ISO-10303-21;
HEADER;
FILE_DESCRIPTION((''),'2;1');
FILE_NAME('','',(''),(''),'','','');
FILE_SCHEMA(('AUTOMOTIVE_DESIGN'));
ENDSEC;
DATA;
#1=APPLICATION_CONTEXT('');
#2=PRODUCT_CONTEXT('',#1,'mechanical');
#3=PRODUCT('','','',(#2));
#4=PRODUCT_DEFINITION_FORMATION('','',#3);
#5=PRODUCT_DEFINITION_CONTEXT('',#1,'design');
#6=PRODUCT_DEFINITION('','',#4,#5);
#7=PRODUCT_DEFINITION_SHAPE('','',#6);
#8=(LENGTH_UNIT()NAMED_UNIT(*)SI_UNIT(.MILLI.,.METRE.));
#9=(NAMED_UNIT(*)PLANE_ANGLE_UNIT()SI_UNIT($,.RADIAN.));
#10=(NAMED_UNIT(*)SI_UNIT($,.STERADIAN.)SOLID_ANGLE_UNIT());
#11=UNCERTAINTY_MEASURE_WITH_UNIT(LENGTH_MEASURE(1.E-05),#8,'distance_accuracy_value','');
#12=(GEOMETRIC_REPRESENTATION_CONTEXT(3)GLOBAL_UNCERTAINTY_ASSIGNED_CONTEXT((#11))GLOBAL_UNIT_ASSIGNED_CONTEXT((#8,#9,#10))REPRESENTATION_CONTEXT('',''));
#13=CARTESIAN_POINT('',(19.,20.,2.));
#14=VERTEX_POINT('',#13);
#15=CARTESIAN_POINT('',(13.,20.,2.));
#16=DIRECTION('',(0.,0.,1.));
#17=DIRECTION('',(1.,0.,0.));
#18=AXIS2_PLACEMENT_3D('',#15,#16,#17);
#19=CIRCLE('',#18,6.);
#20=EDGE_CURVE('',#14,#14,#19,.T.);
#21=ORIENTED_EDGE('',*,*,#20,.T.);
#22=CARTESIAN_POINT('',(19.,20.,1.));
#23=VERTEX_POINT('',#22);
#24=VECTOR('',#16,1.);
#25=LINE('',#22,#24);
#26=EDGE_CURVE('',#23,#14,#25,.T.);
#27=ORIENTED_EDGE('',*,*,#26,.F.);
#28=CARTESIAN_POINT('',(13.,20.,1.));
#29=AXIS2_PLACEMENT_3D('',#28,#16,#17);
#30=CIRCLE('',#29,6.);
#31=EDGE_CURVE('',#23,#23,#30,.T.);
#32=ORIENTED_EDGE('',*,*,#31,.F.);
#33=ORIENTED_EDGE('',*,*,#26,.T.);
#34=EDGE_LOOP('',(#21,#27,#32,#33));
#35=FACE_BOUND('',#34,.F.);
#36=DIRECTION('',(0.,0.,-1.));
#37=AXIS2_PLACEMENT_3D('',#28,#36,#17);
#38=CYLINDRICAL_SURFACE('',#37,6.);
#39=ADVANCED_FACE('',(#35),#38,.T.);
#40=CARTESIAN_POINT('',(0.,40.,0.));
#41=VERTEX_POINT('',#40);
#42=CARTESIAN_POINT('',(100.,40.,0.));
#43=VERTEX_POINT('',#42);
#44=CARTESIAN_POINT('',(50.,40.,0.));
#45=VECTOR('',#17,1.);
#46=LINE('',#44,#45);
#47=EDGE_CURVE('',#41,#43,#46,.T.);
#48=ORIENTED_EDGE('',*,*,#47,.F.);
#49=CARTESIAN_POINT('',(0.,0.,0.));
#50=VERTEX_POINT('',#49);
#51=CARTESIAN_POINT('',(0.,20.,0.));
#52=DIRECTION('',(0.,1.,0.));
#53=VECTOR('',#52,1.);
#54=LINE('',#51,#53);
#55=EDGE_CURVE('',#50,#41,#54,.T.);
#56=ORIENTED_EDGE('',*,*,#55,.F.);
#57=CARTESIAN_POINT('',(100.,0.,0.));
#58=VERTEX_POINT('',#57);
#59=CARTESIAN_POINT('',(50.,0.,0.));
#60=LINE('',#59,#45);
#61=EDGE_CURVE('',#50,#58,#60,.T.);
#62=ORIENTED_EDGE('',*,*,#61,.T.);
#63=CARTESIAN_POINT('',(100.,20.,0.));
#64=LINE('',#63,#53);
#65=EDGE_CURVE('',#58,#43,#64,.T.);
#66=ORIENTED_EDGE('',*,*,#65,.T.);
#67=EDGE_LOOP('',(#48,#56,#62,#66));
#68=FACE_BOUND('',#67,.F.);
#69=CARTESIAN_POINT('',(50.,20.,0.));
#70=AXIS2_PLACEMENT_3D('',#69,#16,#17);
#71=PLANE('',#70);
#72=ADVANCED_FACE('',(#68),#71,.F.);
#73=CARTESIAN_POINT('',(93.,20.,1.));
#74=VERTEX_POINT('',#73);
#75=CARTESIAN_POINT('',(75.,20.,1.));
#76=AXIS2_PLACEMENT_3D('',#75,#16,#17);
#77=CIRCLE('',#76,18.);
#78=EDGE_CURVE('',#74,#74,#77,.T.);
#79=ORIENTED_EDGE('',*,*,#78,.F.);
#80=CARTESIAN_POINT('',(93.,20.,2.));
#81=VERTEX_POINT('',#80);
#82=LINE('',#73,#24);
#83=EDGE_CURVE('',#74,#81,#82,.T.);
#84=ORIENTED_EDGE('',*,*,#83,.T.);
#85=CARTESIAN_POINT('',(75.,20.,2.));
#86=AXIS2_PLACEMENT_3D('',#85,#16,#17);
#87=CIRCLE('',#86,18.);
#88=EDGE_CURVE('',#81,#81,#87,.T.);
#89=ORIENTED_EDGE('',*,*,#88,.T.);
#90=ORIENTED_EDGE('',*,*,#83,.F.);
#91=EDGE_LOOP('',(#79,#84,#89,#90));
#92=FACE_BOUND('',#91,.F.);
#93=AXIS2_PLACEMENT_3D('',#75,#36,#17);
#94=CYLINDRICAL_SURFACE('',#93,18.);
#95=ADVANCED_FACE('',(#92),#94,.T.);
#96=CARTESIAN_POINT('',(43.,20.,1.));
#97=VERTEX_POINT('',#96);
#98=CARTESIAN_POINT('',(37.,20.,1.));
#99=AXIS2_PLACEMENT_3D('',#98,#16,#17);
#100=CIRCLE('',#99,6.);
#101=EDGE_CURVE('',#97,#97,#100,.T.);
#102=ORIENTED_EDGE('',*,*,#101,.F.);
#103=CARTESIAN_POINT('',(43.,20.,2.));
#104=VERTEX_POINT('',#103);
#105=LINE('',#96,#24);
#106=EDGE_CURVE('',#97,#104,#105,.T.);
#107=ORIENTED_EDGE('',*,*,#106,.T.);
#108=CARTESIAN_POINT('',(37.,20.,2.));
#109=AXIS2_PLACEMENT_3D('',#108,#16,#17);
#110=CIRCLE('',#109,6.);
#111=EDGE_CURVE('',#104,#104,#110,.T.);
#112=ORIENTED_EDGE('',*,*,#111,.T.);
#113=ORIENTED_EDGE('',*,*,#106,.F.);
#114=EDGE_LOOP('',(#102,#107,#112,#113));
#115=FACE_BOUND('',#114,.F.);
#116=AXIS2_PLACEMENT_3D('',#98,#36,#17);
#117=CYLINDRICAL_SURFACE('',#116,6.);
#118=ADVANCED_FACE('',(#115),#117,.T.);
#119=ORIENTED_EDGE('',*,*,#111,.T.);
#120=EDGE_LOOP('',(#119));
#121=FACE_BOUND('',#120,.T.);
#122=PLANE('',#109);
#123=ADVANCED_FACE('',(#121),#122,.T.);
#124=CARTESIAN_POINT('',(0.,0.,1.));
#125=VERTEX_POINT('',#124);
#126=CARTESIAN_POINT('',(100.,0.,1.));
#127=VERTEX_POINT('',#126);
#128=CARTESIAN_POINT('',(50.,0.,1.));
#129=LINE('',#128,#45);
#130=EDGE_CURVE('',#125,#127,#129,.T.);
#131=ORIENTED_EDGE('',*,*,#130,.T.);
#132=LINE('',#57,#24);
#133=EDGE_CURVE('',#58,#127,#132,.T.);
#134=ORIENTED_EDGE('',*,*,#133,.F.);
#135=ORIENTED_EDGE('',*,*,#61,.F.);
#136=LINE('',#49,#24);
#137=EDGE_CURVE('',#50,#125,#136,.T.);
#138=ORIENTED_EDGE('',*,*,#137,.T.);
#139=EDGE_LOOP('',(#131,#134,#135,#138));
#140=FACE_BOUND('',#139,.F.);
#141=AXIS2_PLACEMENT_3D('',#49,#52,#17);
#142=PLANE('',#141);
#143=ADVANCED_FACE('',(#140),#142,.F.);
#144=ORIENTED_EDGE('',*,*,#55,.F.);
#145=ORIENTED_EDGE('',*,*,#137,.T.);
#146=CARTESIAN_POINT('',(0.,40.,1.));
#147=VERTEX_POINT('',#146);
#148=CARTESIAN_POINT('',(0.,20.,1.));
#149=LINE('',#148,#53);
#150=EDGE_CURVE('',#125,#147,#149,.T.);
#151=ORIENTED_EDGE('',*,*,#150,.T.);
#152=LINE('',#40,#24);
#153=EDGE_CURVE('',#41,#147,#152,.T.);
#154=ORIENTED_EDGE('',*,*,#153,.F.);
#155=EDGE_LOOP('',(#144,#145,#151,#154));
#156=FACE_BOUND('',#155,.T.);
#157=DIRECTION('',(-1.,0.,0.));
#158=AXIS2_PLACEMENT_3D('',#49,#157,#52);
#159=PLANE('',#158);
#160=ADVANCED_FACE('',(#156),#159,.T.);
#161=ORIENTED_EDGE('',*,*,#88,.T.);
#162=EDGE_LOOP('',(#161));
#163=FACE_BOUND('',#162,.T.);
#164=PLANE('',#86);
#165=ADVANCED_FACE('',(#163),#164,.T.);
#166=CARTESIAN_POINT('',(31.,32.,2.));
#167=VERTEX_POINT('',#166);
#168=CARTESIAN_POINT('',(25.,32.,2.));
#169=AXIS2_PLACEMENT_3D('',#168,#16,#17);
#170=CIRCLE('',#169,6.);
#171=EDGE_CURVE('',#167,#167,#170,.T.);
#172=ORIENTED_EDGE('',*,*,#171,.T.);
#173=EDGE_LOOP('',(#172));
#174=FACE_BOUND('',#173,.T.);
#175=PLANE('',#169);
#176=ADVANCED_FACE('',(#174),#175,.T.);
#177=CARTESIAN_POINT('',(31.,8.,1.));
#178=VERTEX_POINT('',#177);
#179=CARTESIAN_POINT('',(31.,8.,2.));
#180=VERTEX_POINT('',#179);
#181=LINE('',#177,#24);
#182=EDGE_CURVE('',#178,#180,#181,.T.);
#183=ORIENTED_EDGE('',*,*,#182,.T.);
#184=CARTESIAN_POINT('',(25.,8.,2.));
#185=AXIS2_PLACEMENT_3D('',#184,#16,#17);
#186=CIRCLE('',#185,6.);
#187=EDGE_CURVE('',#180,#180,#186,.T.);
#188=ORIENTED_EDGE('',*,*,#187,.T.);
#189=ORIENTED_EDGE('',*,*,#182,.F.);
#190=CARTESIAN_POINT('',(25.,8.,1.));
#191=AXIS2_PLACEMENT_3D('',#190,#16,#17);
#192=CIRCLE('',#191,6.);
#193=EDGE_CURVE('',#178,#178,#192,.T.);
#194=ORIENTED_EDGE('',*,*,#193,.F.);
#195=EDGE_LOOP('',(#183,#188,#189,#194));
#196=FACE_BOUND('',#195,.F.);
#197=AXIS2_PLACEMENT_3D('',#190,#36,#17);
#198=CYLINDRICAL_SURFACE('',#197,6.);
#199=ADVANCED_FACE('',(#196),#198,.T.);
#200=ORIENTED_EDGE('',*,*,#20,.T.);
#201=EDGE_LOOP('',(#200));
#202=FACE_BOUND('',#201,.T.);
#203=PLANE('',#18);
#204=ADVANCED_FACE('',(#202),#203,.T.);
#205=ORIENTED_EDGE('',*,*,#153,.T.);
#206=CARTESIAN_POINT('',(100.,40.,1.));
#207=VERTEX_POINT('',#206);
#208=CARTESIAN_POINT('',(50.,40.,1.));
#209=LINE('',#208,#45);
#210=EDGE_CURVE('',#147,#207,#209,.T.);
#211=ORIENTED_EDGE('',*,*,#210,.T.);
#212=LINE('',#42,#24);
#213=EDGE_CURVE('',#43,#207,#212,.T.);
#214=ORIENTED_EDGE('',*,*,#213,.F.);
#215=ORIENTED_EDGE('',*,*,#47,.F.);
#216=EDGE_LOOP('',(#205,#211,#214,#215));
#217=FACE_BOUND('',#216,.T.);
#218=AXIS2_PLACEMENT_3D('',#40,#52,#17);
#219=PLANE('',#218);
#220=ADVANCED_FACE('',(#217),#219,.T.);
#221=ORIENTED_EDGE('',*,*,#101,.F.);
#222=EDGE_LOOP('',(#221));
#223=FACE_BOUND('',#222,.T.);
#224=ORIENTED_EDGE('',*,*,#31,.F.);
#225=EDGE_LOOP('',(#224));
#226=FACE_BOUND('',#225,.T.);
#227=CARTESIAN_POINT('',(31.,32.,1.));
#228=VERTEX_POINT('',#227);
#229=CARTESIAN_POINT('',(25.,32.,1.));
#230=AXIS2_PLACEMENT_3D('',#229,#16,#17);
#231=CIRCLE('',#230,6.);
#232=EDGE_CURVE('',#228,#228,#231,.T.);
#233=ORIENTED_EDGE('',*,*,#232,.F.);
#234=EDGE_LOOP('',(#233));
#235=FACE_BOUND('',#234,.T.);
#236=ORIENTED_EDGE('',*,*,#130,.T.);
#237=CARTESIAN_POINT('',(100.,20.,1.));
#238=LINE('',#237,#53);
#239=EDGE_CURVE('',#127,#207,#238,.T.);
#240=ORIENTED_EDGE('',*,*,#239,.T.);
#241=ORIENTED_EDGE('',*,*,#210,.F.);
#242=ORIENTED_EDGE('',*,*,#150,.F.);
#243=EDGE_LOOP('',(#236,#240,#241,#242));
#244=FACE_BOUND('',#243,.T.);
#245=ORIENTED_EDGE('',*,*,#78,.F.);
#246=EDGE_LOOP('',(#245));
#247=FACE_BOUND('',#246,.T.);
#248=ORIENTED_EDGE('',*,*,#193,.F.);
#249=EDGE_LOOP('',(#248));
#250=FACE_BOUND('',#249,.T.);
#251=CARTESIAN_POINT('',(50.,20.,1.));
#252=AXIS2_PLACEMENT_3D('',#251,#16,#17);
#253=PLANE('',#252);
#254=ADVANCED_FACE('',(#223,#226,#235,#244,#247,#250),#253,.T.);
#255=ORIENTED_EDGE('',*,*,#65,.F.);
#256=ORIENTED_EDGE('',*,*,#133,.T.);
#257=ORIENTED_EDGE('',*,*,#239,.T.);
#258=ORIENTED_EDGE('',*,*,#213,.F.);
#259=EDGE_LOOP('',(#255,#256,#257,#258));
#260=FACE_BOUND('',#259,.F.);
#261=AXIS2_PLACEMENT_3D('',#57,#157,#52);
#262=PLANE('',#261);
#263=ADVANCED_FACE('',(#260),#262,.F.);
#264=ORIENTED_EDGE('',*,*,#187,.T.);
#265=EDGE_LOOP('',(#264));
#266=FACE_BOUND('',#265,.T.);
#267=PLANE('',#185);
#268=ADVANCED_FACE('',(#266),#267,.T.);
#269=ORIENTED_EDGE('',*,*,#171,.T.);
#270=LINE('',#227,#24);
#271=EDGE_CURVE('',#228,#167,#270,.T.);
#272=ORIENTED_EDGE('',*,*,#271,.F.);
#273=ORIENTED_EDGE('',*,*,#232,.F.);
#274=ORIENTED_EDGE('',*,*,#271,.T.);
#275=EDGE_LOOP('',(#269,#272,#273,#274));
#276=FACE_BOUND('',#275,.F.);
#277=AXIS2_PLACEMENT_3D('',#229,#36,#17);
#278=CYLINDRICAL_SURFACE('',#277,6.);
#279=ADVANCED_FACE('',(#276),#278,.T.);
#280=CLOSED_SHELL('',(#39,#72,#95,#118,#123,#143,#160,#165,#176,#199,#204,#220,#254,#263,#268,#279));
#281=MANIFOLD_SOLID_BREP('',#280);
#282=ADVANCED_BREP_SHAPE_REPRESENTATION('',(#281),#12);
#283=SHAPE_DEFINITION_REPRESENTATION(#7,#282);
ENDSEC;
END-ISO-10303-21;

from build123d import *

# Parameters (mm, degrees)
F0_W     = 100
F0_H     = 40
F1_DEPTH = 1
F2_R     = 6
F2_R_2   = 18
F3_DEPTH = 1


with BuildPart() as f1:
    # F0 (on Top) → F1 (new body)
    with BuildSketch(Plane.XY):
        with Locations((50, 20)):
            Rectangle(F0_W, F0_H)
    extrude(amount=F1_DEPTH)

    # F2 (on face) → F3 (join)
    with BuildSketch(Plane.XY.offset(1)):
        with Locations((13, 20)):
            Circle(F2_R)
        with Locations((25, 32)):
            Circle(F2_R)
        with Locations((37, 20)):
            Circle(F2_R)
        with Locations((75, 20)):
            Circle(F2_R_2)
        with Locations((25, 8)):
            Circle(F2_R)
    extrude(amount=F3_DEPTH)


solid = f1.part
